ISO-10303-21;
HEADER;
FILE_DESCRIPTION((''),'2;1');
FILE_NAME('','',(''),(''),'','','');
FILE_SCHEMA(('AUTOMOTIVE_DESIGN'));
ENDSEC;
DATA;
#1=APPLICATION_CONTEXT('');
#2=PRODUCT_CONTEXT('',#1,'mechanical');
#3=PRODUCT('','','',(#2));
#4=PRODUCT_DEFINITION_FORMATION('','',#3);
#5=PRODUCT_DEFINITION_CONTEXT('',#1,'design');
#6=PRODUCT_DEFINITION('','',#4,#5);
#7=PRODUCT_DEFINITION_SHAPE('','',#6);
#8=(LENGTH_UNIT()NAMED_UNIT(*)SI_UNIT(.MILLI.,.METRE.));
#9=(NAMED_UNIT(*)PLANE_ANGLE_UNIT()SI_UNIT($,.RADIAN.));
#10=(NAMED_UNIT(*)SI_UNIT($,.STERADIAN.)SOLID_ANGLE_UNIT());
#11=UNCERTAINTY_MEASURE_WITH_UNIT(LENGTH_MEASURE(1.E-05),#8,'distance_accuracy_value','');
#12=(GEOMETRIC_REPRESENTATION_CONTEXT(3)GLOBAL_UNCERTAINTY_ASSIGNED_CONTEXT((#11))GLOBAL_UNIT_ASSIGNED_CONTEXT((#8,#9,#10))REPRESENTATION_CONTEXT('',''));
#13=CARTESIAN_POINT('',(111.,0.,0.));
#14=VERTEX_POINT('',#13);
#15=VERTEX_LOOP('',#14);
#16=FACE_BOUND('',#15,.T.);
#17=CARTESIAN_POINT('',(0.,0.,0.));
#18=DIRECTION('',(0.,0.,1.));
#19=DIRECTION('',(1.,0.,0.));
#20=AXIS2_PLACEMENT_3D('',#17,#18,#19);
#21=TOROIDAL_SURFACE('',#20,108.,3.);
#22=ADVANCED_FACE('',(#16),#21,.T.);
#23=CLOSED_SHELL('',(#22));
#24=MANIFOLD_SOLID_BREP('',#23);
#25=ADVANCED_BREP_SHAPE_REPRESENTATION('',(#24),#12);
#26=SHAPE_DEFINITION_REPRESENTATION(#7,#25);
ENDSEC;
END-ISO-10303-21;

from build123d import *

# Parameters (mm, degrees)
SKETCH1_R = 3


with BuildPart() as part:
    # Sketch1 → Revolve1 (revolve)
    with BuildSketch(Plane(origin=(0, 0, 0), x_dir=(0, -1, 0), z_dir=(1, 0, 0)), mode=Mode.PRIVATE) as revolve1_sk:
        with Locations((108, 0)):
            Circle(SKETCH1_R)
    revolve(revolve1_sk.sketch.rotate(Axis((0, 0, 3), (0, 0, -1)), 270), axis=Axis((0, 0, 3), (0, 0, -1)))


solid = part.part
